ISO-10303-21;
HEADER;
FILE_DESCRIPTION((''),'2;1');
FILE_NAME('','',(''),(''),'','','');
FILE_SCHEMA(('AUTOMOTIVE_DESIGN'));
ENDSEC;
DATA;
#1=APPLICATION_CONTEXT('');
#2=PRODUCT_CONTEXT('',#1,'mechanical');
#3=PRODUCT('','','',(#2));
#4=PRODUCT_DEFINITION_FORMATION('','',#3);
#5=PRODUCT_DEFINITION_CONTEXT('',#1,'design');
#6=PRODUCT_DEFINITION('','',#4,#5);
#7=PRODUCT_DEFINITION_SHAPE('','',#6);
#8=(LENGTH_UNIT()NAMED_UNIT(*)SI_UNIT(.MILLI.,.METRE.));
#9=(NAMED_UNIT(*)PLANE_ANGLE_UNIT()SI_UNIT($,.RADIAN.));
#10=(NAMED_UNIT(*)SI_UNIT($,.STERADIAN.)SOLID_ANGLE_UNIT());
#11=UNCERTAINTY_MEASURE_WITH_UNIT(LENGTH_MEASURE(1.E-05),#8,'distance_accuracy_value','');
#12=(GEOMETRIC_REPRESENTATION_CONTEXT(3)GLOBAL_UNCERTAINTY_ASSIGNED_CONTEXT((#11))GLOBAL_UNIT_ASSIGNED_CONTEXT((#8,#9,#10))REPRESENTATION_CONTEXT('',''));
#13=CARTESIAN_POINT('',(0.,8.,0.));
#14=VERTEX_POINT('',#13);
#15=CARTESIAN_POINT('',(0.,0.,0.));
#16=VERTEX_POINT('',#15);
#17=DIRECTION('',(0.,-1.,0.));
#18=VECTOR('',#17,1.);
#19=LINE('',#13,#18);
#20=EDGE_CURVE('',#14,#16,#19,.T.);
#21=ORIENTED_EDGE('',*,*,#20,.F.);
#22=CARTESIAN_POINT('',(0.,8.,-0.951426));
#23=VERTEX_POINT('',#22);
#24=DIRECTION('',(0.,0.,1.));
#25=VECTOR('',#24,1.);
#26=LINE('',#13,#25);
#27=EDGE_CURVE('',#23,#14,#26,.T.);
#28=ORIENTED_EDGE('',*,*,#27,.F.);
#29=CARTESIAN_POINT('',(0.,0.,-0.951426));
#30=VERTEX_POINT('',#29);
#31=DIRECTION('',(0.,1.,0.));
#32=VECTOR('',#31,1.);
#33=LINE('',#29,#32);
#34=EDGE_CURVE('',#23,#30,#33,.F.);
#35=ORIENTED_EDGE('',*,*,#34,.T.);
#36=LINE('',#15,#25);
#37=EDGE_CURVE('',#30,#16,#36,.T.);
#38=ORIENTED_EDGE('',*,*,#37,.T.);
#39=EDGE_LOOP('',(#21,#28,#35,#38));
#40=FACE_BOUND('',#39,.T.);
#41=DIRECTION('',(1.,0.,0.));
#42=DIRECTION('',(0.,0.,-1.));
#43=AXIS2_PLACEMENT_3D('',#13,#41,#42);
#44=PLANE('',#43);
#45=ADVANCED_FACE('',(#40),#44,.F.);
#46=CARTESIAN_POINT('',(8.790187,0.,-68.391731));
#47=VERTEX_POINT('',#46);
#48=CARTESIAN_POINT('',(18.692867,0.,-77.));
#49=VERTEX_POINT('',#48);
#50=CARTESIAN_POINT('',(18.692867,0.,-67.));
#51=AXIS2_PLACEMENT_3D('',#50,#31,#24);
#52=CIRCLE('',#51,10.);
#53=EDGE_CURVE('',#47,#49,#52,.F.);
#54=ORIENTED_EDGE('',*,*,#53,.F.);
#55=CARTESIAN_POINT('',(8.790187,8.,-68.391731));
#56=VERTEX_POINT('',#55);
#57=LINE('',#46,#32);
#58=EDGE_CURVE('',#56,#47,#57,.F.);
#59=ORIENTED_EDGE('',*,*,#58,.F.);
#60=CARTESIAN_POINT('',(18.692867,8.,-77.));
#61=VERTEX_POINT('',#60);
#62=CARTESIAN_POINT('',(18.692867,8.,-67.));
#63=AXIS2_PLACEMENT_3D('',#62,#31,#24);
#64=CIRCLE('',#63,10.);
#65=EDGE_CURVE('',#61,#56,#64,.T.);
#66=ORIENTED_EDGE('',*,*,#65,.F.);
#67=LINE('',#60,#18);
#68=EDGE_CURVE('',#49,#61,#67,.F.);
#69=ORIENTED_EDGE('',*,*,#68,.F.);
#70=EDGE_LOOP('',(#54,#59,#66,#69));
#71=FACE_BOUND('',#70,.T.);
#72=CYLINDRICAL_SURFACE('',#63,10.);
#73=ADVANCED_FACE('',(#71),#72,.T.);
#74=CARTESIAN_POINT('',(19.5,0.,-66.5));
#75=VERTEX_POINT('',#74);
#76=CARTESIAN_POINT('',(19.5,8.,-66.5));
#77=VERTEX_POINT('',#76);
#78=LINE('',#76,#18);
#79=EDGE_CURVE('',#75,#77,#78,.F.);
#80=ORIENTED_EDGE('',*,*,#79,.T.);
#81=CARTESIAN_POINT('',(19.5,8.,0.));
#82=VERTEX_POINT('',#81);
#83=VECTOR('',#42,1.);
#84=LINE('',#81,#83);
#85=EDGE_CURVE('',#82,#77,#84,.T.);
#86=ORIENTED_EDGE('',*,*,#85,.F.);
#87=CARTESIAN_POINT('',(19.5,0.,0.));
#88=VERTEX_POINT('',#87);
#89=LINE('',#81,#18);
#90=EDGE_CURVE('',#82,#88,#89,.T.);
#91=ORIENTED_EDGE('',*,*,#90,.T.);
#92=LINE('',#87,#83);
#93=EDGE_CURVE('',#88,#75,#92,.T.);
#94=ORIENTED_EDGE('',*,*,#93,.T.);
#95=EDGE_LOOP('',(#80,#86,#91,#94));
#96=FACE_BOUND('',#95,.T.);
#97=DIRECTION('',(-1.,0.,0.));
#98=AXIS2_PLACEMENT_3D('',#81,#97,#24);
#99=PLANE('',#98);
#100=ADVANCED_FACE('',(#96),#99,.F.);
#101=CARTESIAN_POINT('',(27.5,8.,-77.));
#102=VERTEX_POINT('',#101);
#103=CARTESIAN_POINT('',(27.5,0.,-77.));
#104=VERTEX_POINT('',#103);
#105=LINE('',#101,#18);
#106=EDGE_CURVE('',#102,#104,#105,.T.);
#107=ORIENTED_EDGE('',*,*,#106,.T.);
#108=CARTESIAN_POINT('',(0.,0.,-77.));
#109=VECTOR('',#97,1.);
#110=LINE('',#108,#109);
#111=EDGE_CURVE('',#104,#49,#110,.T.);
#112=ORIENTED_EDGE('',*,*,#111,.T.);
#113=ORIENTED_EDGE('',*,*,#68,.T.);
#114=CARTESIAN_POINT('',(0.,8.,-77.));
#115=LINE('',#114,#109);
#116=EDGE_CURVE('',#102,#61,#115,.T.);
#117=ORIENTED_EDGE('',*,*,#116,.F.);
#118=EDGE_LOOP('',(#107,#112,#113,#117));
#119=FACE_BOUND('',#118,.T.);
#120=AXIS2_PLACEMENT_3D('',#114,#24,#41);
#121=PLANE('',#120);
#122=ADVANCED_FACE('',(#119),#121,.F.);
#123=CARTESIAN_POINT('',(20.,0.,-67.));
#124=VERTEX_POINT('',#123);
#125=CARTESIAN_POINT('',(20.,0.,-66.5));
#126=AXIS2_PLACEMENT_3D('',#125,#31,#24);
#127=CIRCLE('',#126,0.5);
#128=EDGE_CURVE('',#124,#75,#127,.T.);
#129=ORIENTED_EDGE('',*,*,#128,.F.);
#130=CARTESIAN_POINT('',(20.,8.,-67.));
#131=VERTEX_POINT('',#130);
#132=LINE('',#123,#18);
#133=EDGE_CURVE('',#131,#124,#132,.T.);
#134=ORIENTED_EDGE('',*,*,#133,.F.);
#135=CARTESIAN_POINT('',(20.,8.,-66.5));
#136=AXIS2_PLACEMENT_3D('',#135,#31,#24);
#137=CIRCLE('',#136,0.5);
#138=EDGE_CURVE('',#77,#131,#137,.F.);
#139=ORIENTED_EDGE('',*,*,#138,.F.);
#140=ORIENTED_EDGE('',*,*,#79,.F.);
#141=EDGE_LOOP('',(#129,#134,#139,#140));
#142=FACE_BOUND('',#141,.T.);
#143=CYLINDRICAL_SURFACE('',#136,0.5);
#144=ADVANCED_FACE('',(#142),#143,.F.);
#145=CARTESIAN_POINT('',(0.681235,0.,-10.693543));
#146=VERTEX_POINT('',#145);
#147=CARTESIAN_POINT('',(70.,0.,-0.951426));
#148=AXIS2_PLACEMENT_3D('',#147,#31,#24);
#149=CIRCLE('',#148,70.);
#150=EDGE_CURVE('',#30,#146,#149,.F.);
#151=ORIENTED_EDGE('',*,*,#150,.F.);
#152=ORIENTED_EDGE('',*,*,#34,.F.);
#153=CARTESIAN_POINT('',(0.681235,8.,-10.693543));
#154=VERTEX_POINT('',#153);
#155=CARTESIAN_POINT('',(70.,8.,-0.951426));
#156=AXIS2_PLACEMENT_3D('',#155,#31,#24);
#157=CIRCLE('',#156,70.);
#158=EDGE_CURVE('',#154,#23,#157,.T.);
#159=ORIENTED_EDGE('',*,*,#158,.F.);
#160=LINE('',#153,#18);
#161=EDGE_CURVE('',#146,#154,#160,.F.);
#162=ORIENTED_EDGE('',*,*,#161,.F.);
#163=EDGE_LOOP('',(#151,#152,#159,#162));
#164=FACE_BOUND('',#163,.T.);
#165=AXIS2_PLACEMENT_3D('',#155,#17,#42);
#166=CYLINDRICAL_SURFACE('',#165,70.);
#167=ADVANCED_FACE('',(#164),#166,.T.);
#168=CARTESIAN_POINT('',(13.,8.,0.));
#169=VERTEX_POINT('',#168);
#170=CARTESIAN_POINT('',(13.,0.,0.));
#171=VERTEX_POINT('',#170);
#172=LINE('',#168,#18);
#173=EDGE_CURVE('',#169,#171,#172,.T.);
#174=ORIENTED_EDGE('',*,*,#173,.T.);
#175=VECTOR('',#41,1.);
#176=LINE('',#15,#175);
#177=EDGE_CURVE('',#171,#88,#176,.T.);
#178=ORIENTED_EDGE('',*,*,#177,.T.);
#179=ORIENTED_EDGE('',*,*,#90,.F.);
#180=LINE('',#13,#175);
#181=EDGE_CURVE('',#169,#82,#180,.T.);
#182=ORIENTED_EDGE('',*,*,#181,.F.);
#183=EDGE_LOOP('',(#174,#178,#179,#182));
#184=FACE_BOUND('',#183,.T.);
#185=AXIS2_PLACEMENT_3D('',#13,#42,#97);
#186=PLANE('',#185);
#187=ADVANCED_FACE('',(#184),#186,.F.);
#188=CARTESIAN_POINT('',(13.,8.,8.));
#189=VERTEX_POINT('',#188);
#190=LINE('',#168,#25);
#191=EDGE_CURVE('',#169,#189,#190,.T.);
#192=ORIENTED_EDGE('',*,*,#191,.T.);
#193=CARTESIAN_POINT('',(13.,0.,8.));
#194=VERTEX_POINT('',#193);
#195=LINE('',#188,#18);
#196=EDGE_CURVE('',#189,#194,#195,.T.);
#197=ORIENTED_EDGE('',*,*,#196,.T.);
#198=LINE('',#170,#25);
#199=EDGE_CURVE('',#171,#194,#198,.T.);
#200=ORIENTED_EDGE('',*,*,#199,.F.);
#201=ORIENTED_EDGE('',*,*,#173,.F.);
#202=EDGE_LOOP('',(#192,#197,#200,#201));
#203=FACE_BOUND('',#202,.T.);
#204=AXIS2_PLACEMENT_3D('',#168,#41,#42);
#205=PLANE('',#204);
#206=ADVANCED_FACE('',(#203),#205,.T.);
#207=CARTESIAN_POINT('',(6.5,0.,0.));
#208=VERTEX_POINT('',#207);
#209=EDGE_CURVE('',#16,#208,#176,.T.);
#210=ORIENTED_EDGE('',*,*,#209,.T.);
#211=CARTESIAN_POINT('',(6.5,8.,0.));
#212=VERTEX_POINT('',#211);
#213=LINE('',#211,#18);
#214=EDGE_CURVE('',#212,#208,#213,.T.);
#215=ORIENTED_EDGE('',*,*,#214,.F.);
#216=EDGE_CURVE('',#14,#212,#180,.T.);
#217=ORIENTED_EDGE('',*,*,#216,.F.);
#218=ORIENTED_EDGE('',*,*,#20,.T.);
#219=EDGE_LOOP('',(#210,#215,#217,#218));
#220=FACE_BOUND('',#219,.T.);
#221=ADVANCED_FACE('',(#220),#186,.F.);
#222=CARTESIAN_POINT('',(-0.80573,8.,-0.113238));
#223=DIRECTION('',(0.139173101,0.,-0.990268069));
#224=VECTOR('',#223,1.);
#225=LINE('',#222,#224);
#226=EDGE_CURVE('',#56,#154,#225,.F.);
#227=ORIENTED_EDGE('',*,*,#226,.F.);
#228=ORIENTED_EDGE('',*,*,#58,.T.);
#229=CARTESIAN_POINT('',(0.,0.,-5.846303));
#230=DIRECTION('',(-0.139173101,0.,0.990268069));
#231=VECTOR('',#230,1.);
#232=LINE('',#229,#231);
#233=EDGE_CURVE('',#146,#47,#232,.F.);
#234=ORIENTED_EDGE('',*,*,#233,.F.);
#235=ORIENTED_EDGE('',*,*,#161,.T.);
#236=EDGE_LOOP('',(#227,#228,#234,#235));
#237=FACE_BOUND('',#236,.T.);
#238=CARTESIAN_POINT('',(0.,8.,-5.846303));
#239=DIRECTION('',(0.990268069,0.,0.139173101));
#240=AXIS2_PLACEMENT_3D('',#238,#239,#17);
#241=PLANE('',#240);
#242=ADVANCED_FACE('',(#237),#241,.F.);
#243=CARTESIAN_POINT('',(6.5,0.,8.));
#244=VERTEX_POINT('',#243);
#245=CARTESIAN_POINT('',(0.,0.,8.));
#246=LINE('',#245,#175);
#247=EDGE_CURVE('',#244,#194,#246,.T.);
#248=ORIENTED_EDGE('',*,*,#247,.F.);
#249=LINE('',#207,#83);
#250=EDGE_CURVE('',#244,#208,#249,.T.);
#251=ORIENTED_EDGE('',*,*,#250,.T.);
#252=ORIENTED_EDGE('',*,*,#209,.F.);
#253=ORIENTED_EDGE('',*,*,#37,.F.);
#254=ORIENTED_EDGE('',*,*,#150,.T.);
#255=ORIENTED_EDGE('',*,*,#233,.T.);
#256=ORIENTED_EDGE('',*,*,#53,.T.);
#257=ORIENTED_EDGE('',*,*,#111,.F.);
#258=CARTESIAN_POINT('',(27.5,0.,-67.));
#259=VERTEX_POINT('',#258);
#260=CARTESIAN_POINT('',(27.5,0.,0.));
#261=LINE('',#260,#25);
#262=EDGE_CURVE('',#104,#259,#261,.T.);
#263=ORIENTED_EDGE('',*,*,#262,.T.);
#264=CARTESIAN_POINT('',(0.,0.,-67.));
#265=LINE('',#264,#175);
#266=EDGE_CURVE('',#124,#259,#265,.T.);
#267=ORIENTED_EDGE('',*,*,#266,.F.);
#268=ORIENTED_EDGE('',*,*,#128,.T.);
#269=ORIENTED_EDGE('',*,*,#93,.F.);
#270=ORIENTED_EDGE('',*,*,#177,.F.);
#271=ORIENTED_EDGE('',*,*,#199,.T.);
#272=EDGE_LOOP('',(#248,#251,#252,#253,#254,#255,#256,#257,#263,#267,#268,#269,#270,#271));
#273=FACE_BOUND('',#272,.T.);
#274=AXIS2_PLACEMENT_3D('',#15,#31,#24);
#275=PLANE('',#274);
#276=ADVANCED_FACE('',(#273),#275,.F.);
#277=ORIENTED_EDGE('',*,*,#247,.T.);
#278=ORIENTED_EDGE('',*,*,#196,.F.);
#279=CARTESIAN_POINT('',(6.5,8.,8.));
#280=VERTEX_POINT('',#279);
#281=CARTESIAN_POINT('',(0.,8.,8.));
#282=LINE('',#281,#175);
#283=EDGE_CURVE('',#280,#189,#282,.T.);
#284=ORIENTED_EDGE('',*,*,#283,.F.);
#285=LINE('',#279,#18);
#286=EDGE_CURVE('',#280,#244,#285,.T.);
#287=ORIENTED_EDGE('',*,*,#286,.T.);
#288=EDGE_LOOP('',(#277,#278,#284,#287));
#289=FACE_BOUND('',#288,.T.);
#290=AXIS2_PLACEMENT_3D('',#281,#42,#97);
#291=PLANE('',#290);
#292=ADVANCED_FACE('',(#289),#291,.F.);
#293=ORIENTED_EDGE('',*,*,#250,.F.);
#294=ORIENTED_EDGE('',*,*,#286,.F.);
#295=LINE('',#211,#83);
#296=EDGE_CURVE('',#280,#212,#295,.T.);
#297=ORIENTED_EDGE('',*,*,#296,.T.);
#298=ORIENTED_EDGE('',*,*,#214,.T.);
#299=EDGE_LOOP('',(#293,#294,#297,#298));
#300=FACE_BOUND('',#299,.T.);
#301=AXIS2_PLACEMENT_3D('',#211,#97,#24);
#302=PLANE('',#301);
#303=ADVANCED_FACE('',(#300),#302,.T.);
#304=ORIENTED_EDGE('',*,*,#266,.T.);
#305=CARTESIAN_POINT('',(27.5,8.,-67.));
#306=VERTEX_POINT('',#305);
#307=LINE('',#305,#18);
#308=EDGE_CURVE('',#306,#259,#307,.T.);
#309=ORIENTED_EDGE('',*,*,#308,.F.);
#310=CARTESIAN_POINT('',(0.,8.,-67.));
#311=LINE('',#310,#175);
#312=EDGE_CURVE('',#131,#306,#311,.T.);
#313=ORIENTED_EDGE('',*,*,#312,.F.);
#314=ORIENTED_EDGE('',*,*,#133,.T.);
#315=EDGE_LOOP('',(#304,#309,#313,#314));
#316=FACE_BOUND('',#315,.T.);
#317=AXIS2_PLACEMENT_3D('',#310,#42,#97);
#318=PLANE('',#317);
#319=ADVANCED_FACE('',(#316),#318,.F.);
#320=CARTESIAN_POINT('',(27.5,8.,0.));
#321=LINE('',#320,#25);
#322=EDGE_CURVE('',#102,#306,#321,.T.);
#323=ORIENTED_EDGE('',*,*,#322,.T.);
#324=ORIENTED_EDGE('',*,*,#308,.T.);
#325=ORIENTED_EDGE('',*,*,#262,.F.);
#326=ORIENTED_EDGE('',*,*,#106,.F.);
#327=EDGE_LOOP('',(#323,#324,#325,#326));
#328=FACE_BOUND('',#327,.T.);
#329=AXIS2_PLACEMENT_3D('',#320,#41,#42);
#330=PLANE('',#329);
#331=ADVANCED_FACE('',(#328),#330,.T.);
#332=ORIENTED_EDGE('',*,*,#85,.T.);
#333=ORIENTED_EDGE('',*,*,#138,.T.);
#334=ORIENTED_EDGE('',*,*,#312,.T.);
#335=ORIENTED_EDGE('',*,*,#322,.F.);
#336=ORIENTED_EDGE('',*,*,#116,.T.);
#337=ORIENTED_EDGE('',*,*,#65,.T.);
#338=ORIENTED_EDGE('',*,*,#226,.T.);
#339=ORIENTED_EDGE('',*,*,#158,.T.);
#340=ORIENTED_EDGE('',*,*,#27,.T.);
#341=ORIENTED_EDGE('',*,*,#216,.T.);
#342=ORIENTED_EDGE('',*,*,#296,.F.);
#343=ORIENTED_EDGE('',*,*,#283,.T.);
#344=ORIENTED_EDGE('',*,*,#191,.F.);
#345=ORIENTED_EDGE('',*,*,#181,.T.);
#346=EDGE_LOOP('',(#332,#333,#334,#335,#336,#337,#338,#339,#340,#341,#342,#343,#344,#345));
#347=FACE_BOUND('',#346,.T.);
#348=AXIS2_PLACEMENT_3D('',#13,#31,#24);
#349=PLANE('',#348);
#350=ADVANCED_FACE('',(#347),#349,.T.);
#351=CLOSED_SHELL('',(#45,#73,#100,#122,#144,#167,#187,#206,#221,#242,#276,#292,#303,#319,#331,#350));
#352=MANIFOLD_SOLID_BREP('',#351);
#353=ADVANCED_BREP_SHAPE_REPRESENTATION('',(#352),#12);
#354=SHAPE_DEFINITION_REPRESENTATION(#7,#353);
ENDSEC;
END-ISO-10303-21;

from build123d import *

# Parameters (mm, degrees)
BOSS_EXTRUDE1_DEPTH = 8
CHAMFER1_SIZE       = 10
CHAMFER1_SIZE2      = 71.153697224
FILLET1_R           = 10
FILLET2_R           = 70
FILLET3_R           = 0.5


with BuildPart() as part:
    # Sketch1 → Boss-Extrude1 (new body)
    with BuildSketch(Plane(origin=(0, 0, 0), x_dir=(1, 0, 0), z_dir=(0, 1, 0))):
        Polygon((0, 77), (0, 0), (6.5, 0), (6.5, -8), (13, -8), (13, 0), (19.5, 0), (19.5, 67), (27.5, 67), (27.5, 77), align=None)
    extrude(amount=BOSS_EXTRUDE1_DEPTH)

    # Chamfer1
    chamfer1_edges = [part.edges().sort_by_distance(p)[0] for p in [
        (0, 4, -77),
    ]]
    chamfer1_side = [part.faces().sort_by_distance(p)[0] for p in [
        (13.75, 4, -77),
    ]]
    chamfer(chamfer1_edges, length=CHAMFER1_SIZE, length2=CHAMFER1_SIZE2, reference=chamfer1_side[0])

    # Fillet1
    fillet1_edges = [part.edges().sort_by_distance(p)[0] for p in [
        (10, 4, -77),
    ]]
    fillet(fillet1_edges, radius=FILLET1_R)

    # Fillet2
    fillet2_edges = [part.edges().sort_by_distance(p)[0] for p in [
        (0, 4, -5.846302776),
    ]]
    fillet(fillet2_edges, radius=FILLET2_R)

    # Fillet3
    fillet3_edges = [part.edges().sort_by_distance(p)[0] for p in [
        (19.5, 4, -67),
    ]]
    fillet(fillet3_edges, radius=FILLET3_R)


solid = part.part
